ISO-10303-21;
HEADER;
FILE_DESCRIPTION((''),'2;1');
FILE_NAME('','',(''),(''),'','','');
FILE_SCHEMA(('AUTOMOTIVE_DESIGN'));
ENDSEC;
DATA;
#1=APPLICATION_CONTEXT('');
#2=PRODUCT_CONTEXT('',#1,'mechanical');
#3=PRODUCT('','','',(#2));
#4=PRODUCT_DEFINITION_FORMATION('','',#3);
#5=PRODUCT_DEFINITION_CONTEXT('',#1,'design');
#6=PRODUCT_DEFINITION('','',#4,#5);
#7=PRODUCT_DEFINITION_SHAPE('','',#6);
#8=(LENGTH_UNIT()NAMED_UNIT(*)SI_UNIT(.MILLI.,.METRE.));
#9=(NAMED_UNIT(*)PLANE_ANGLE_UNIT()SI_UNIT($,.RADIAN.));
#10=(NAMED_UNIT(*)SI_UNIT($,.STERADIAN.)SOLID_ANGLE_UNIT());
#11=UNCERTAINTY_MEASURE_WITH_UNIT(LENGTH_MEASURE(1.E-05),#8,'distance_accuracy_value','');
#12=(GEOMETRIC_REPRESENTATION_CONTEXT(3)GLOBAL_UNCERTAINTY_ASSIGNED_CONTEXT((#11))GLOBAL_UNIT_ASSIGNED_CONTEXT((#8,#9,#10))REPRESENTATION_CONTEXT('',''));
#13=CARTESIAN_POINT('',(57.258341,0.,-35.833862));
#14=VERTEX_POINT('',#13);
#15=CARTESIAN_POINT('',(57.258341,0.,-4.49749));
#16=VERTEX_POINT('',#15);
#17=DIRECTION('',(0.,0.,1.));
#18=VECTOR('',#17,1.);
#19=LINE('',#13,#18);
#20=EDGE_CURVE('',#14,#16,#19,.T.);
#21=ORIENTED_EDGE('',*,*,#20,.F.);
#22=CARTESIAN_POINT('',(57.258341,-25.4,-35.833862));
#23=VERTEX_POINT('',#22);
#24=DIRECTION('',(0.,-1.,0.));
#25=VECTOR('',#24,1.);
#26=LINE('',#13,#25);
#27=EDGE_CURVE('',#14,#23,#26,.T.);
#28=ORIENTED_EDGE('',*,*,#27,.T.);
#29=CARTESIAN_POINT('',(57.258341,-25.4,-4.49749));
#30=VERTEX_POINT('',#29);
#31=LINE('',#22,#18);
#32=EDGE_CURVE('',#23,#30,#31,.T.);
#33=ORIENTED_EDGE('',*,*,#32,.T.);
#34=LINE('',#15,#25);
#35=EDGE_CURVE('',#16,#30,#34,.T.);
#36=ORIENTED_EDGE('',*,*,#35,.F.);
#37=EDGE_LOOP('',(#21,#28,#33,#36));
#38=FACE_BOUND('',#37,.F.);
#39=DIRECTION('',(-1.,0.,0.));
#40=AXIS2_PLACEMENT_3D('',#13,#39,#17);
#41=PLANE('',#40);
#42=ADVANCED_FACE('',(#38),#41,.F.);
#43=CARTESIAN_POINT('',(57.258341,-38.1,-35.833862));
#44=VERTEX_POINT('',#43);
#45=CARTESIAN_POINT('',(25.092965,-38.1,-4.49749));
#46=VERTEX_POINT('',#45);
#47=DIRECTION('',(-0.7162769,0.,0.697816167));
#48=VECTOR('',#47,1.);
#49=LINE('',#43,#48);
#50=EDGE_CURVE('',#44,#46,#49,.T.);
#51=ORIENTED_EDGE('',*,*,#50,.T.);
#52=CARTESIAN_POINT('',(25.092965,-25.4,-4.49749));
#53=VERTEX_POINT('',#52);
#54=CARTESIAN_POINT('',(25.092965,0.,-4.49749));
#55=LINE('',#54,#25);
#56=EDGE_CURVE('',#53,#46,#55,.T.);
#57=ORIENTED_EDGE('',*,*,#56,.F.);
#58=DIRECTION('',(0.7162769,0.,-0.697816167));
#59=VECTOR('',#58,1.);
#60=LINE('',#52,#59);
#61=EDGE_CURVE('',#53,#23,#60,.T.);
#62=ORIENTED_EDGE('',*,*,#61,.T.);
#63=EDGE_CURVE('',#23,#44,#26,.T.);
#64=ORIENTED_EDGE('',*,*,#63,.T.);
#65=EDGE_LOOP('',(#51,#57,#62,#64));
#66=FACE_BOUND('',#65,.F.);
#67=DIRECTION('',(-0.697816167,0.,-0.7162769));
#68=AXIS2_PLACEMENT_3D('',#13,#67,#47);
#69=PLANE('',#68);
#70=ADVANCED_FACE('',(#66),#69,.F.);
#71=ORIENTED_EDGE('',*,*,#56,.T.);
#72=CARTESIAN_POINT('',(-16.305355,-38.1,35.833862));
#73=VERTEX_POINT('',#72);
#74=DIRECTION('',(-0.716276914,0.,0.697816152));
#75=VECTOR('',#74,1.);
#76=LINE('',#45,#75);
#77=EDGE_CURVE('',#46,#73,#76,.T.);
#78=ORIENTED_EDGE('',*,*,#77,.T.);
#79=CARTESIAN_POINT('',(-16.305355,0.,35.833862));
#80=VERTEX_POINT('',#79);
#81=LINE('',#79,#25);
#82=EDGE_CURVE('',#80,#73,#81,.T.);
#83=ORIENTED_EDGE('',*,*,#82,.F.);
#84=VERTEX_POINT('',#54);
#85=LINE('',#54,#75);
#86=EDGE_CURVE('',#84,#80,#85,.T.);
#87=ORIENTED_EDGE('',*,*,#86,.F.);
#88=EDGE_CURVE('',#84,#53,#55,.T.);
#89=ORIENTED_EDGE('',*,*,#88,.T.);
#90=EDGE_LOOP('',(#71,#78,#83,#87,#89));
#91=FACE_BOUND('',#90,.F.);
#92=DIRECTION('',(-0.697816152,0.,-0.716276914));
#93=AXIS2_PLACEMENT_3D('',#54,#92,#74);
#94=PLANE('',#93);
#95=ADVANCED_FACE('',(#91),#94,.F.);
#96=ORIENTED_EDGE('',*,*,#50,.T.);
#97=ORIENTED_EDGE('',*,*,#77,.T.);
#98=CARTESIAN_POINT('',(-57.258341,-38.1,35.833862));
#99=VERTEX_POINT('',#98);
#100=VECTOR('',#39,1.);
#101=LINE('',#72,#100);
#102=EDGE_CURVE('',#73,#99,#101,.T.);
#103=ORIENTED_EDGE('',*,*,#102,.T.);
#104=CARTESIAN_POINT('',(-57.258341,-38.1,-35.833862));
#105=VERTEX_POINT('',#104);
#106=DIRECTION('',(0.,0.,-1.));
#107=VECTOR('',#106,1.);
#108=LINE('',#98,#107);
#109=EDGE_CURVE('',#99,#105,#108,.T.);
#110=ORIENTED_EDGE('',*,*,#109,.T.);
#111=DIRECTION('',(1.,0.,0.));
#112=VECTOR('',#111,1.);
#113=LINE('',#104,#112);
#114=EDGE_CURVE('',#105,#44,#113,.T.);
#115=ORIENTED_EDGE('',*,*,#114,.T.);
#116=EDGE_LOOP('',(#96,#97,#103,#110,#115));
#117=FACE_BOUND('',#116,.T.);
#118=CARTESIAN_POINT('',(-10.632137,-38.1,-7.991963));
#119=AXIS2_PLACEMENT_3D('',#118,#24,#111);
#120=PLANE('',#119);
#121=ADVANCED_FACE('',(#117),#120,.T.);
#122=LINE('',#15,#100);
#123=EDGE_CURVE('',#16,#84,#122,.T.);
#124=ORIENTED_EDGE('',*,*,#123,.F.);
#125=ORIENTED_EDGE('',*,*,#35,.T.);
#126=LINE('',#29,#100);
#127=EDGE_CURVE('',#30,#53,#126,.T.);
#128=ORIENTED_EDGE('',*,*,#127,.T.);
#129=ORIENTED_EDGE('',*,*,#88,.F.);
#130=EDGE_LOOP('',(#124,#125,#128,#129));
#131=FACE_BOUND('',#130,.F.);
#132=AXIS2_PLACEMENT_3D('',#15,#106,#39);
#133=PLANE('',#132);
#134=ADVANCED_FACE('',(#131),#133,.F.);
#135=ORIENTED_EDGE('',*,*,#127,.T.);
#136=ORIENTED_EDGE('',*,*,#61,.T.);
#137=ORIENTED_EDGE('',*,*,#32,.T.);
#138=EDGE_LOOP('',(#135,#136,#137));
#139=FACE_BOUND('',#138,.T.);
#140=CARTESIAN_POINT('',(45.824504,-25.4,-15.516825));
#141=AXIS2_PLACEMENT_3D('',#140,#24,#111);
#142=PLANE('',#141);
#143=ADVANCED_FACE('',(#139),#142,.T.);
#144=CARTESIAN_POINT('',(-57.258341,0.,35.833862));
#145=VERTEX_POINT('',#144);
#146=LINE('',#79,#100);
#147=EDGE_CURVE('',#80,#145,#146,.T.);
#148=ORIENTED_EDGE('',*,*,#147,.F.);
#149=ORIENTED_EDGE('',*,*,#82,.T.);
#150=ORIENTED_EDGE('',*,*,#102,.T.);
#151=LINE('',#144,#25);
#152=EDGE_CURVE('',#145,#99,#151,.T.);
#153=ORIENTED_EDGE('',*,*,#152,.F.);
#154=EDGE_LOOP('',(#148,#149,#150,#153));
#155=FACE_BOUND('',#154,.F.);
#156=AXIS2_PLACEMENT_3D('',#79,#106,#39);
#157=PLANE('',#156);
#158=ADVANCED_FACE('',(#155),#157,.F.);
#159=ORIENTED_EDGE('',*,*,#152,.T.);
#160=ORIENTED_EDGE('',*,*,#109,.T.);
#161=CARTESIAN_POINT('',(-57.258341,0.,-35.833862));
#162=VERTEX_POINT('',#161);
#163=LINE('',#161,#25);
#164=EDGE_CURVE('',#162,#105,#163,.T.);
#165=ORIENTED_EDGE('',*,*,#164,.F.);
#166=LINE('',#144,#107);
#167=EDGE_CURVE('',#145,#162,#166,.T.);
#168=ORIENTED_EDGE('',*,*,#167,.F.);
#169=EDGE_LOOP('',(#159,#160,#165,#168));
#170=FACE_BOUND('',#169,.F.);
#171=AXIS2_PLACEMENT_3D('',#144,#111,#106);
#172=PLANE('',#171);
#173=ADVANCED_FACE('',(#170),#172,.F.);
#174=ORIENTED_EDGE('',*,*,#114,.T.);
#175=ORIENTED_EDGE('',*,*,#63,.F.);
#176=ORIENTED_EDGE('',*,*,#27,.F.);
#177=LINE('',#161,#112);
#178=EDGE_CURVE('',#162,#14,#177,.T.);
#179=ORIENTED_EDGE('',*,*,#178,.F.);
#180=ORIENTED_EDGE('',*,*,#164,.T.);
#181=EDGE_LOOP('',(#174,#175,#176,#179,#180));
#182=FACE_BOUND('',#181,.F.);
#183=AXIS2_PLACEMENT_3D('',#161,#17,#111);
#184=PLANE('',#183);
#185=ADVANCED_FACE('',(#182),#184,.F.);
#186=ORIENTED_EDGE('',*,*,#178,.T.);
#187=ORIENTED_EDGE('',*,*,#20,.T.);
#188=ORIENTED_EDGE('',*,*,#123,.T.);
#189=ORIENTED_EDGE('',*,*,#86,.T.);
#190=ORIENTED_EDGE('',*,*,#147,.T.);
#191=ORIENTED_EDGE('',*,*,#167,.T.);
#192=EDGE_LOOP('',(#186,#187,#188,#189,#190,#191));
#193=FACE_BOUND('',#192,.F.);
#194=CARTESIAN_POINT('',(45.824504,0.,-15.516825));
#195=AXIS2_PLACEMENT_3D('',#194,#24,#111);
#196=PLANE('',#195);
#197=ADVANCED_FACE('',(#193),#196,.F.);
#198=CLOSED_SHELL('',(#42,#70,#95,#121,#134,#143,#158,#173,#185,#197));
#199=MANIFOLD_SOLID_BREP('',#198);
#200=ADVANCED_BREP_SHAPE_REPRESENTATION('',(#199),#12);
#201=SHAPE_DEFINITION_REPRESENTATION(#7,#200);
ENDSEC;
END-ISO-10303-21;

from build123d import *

# Parameters (mm, degrees)
F1_DEPTH = 38.1
F2_DEPTH = 25.4


with BuildPart() as f1:
    # F0 (on Front) → F1 (new body)
    with BuildSketch(Plane.XZ):
        Polygon((25.092965, -4.49749), (-16.305355, 35.833862), (-57.258341, 35.833862), (-57.258341, -35.833862), (57.258341, -35.833862), align=None)
    extrude(amount=F1_DEPTH)

    # F0 (on Front) → F2 (join)
    with BuildSketch(Plane.XZ):
        Polygon((57.258341, -4.49749), (25.092965, -4.49749), (57.258341, -35.833862), align=None)
    extrude(amount=F2_DEPTH)


solid = f1.part
